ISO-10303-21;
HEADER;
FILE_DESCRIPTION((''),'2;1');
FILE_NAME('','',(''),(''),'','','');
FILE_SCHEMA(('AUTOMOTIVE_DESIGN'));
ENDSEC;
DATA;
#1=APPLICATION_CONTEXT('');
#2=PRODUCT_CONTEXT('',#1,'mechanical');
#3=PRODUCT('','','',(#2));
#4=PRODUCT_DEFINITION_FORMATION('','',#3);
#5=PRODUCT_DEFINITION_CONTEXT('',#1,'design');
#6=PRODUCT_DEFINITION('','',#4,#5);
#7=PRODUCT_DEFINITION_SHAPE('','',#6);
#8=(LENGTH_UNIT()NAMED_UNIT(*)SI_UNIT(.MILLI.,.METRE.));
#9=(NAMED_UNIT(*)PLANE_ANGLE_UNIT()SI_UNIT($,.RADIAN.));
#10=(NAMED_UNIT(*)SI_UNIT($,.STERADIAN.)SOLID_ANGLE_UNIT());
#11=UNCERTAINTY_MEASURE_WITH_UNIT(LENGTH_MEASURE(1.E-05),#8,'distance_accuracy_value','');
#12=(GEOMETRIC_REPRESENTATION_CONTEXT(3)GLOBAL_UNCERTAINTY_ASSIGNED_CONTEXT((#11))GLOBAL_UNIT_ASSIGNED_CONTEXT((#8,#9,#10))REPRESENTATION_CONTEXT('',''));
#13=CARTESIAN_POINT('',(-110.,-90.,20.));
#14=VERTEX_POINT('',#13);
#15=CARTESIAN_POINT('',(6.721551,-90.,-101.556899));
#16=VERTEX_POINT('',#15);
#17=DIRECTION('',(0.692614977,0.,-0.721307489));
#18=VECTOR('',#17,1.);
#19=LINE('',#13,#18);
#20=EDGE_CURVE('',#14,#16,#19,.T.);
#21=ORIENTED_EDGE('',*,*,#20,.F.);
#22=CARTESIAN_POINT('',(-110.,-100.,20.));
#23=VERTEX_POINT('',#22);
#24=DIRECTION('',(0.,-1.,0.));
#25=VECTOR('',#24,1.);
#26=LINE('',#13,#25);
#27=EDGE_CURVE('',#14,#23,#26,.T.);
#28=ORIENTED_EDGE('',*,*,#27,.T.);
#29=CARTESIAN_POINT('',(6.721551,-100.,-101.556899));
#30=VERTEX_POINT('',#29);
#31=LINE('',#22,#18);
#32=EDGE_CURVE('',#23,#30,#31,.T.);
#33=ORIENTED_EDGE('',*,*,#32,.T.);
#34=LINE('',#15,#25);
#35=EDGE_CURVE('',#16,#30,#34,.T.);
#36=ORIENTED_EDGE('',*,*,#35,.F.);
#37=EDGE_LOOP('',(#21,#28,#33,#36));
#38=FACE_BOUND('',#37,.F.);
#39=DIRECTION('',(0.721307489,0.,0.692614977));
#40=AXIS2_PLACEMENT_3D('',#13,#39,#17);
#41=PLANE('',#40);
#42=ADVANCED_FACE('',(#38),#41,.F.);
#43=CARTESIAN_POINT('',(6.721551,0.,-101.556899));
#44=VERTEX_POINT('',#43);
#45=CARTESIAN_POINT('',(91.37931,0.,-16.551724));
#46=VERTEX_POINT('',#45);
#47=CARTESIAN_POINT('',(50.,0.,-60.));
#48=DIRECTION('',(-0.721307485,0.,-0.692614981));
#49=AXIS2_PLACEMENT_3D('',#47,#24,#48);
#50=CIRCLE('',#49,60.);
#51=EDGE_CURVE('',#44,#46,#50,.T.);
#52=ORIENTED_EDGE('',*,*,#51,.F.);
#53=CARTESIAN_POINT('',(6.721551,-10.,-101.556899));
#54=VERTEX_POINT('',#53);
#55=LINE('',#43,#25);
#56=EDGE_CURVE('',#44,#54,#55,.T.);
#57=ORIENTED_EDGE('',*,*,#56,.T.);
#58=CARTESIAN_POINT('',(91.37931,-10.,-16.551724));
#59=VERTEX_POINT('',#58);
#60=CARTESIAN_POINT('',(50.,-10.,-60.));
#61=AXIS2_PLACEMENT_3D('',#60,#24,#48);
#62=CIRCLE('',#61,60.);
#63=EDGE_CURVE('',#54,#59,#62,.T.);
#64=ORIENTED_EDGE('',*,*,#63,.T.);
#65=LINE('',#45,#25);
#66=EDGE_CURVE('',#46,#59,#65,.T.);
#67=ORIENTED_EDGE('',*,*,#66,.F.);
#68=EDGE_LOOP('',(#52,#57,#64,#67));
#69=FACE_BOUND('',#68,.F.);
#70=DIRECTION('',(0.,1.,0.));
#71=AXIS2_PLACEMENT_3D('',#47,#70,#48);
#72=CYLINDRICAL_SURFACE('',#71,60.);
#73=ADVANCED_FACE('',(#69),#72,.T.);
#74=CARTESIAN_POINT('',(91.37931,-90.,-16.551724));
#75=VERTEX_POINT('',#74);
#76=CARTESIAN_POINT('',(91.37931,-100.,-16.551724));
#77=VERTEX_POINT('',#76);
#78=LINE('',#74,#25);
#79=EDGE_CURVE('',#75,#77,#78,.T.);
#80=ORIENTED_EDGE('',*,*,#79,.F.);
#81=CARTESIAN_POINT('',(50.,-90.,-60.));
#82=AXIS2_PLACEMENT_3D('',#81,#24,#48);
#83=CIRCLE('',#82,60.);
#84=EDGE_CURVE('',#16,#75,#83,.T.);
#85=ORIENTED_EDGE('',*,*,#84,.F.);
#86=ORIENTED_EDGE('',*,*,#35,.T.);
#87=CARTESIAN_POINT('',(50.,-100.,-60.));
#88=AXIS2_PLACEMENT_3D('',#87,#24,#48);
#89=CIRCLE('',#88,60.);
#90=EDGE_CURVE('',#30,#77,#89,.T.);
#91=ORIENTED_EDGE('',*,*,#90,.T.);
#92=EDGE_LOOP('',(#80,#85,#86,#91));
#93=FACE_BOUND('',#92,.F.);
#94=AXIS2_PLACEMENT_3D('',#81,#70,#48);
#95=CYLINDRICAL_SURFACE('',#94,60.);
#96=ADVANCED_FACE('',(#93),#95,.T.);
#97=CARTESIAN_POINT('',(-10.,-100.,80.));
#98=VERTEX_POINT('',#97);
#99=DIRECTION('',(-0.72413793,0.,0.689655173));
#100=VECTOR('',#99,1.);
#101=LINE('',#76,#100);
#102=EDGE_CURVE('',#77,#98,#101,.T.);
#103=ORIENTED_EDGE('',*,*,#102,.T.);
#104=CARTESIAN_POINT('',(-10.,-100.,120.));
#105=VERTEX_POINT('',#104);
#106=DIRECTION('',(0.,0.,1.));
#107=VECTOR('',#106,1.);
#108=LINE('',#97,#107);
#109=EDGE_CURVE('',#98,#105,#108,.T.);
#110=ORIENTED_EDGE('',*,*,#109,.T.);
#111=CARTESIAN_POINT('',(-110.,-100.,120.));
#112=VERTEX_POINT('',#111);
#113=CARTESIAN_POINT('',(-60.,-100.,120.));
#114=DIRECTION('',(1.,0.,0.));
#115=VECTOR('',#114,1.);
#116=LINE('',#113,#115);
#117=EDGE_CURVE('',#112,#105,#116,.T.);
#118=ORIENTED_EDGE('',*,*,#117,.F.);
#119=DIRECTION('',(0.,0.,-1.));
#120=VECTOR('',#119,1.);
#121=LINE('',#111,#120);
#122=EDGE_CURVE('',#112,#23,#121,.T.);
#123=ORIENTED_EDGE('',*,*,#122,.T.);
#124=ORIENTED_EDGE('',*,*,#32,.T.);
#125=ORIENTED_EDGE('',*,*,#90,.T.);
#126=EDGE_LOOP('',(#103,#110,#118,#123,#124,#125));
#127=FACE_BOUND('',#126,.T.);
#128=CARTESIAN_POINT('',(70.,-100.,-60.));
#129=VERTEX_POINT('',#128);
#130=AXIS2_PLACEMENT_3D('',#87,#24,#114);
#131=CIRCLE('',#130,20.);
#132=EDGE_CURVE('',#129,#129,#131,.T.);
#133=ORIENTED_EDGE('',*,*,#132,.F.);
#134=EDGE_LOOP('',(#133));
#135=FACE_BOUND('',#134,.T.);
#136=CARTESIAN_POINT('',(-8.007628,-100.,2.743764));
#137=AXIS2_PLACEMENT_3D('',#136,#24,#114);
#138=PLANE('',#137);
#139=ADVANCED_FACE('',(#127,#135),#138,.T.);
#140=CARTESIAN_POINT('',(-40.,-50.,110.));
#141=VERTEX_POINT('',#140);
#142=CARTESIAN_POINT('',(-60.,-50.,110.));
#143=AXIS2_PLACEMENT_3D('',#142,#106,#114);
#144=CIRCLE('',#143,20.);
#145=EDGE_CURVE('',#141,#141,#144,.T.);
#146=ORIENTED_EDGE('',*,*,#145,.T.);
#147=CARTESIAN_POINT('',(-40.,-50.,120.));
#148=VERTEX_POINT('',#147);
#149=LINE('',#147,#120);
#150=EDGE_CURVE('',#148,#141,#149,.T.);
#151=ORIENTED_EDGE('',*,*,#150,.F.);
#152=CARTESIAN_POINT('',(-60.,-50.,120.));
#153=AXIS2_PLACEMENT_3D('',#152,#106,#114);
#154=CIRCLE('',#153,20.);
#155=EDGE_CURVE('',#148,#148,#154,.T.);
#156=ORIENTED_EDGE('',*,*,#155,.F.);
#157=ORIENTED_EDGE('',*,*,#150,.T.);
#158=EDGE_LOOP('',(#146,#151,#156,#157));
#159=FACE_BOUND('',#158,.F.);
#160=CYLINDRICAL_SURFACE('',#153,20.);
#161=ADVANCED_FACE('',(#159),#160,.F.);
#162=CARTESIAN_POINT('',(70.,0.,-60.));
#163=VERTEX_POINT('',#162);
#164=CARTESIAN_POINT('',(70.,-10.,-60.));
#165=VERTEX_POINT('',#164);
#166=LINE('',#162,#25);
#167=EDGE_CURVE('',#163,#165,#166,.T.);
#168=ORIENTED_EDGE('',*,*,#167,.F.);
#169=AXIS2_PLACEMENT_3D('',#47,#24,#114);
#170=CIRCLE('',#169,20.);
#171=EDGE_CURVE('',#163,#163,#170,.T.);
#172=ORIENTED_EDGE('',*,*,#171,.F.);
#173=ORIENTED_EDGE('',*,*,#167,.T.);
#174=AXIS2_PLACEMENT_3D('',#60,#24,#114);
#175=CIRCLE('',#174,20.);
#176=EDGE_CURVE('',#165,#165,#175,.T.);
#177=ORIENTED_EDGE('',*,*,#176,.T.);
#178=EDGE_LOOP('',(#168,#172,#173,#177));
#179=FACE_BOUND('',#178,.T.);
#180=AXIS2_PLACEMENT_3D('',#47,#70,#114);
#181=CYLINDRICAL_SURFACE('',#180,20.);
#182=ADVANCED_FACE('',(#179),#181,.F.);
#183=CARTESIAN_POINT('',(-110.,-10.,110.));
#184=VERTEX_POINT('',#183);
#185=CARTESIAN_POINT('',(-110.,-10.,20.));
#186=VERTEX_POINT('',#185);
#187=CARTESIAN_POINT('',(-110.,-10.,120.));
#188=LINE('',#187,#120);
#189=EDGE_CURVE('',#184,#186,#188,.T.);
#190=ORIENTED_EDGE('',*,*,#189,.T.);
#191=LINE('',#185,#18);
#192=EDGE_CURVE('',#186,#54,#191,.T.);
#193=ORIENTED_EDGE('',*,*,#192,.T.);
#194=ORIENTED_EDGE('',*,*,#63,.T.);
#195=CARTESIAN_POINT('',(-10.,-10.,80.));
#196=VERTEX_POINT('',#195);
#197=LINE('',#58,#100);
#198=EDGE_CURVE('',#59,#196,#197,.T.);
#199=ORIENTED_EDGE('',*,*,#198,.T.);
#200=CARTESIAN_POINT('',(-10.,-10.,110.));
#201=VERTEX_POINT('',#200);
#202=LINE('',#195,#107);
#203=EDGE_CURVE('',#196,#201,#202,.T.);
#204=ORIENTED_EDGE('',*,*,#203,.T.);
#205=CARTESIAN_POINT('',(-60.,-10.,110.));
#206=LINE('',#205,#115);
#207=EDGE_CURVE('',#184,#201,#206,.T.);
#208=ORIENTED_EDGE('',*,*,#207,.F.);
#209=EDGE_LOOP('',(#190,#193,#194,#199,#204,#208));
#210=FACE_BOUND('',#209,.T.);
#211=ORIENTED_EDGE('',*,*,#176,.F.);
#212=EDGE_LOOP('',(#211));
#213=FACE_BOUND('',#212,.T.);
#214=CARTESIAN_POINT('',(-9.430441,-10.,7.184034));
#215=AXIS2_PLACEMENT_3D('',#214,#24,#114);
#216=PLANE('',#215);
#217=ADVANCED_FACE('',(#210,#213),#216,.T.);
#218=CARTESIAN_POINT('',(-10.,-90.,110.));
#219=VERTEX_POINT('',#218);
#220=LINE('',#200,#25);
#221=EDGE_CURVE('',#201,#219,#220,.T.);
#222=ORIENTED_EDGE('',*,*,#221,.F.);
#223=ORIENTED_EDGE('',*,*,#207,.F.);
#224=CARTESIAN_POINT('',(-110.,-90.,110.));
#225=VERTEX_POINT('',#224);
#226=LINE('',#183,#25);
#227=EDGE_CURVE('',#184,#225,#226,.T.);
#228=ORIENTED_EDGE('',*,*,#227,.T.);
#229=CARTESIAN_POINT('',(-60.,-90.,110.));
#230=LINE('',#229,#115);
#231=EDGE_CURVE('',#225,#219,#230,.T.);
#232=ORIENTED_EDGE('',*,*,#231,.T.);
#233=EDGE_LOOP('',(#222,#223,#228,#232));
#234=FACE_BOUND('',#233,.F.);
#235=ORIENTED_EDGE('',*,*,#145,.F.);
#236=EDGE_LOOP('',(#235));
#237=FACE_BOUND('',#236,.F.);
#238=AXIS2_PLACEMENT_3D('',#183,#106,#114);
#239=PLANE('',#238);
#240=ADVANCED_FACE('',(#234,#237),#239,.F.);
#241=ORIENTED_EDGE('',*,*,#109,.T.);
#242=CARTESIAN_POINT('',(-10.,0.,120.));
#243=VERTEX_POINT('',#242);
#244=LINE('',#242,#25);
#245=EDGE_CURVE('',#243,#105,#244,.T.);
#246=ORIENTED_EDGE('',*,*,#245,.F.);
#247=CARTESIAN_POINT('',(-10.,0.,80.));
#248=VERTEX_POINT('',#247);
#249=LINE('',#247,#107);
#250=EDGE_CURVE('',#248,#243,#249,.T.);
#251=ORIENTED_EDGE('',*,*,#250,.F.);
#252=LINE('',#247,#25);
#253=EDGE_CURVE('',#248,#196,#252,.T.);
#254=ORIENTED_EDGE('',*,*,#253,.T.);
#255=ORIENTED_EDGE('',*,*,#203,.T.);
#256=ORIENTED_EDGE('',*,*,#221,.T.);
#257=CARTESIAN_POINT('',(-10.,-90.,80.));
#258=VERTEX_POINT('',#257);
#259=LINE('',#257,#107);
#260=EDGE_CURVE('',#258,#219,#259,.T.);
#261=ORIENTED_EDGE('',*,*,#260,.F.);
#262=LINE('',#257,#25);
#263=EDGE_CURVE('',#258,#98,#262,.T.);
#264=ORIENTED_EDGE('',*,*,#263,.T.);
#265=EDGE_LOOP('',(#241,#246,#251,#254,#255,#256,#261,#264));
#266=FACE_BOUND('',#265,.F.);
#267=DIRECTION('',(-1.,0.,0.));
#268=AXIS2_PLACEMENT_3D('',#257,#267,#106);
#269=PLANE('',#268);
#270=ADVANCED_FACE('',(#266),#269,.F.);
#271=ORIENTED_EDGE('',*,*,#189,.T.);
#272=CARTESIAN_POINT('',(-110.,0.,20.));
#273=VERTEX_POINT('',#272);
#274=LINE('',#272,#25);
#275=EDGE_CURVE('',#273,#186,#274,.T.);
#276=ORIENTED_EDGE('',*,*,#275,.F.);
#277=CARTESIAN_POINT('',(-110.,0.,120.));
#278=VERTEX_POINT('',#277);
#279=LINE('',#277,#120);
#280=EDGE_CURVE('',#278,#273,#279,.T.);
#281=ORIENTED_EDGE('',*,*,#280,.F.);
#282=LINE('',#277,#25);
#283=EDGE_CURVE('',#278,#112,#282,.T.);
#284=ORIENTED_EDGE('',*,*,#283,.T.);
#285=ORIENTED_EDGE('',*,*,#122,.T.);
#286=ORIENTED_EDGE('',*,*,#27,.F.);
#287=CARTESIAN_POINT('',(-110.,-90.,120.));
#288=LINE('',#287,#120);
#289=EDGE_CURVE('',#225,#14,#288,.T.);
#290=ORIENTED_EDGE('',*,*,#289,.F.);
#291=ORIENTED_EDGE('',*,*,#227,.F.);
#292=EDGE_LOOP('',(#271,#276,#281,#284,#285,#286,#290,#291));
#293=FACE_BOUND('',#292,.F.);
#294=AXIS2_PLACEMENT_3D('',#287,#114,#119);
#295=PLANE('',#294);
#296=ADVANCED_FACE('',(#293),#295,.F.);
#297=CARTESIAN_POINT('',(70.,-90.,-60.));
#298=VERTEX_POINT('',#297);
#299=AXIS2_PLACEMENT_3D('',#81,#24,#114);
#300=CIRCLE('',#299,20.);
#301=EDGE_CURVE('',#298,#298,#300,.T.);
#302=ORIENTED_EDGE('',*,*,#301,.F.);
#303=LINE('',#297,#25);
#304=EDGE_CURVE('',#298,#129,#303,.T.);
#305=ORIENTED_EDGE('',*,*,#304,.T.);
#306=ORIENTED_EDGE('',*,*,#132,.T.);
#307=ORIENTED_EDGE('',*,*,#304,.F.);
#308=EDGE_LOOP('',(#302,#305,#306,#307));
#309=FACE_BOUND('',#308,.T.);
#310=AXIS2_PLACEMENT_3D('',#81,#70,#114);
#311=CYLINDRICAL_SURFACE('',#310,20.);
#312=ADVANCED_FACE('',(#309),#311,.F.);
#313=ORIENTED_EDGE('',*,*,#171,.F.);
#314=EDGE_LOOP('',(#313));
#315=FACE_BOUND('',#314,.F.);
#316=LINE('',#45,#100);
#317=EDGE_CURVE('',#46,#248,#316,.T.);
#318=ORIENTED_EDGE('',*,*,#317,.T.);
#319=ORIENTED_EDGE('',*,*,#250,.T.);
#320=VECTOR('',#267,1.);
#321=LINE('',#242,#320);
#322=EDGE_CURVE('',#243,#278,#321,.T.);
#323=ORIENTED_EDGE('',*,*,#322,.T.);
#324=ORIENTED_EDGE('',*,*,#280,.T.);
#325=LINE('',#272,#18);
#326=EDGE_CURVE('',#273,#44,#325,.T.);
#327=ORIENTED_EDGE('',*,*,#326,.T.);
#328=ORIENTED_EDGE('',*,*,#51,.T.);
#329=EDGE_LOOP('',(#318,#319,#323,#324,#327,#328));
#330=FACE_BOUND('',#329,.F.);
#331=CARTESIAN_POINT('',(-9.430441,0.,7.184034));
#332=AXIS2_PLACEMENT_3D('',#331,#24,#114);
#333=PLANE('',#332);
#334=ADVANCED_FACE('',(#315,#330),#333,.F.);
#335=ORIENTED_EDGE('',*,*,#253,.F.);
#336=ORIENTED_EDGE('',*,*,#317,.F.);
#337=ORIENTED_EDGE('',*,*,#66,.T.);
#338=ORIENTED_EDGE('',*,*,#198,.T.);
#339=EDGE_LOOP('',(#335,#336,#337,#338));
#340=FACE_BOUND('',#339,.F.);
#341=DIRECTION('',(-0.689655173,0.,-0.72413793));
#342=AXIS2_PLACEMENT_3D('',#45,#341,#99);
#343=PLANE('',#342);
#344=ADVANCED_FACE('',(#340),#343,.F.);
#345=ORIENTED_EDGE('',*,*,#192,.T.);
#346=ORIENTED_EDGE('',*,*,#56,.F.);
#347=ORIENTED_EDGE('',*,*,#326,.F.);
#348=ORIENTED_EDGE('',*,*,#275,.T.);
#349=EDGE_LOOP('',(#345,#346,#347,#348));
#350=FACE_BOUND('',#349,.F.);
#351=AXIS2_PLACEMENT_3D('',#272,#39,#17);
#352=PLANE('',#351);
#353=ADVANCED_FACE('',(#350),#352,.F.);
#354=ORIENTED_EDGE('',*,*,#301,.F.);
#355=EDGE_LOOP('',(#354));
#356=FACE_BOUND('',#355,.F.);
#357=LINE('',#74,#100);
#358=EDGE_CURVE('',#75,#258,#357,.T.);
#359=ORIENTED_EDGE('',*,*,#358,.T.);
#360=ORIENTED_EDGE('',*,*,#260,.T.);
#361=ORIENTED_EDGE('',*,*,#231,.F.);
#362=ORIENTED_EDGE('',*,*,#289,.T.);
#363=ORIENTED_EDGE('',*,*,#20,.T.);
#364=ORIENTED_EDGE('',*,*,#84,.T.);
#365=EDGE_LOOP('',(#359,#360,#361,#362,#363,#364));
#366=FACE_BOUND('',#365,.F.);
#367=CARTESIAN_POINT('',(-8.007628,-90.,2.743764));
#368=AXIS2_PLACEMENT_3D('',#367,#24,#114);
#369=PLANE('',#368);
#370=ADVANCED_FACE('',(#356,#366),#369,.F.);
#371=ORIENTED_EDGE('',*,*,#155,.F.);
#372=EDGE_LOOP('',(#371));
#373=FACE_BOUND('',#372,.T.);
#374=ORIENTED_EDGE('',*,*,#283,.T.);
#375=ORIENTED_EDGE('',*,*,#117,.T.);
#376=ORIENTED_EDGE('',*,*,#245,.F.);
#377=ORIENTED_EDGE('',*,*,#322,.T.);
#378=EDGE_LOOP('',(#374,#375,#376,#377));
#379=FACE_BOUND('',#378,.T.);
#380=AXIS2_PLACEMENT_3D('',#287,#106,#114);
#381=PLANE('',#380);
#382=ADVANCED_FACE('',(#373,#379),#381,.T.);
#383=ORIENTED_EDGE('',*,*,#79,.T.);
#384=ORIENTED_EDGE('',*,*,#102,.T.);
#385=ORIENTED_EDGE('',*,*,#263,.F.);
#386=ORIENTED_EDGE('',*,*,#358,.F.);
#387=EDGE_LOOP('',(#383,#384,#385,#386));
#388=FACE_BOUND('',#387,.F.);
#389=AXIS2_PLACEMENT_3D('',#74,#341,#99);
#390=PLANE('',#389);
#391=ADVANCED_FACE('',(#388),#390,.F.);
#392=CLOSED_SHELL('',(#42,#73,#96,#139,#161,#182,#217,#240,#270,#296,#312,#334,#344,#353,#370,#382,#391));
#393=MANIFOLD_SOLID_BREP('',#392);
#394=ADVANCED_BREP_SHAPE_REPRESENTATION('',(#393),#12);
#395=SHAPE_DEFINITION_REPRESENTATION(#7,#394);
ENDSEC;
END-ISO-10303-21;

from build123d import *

# Parameters (mm, degrees)
F0_R     = 20
F1_DEPTH = 10
F2_W     = 100
F2_H     = 10
F3_DEPTH = 80
F4_R     = 20
F4_W     = 100
F4_H     = 10
F5_DEPTH = 10
F6_R     = 20
F7_DEPTH = 25


with BuildPart() as f1:
    # F0 (on Front) → F1 (new body)
    with BuildSketch(Plane.XZ):
        with BuildLine():
            Line((-10, 120), (-110, 120))
            Line((-110, 120), (-110, 20))
            Line((-110, 20), (6.721551, -101.556899))
            ThreePointArc((6.721551, -101.556899), (92.513193, -102.339443), (91.37931, -16.551724))
            Line((91.37931, -16.551724), (-10, 80))
            Line((-10, 80), (-10, 120))
        make_face()
        with Locations((50, -60)):
            Circle(F0_R, mode=Mode.SUBTRACT)
    extrude(amount=F1_DEPTH)

    # F2 (on face) → F3 (join)
    with BuildSketch(Plane.XZ.offset(10)):
        with Locations((-60, 115)):
            Rectangle(F2_W, F2_H)
    extrude(amount=F3_DEPTH)

    # F4 (on face) → F5 (join)
    with BuildSketch(Plane.XZ.offset(90)):
        with BuildLine():
            Line((-10, 110), (-110, 110))
            Line((-110, 110), (-110, 20))
            Line((-110, 20), (6.721551, -101.556899))
            ThreePointArc((6.721551, -101.556899), (92.513193, -102.339443), (91.37931, -16.551724))
            Line((91.37931, -16.551724), (-10, 80))
            Line((-10, 80), (-10, 110))
        make_face()
        with Locations((50, -60)):
            Circle(F4_R, mode=Mode.SUBTRACT)
        with Locations((-60, 115)):
            Rectangle(F4_W, F4_H)
    extrude(amount=F5_DEPTH)

    # F6 (on face) → F7 (cut)
    with BuildSketch(Plane.XY.offset(120)):
        with Locations((-60, -50)):
            Circle(F6_R)
    extrude(amount=-F7_DEPTH, mode=Mode.SUBTRACT)


solid = f1.part
